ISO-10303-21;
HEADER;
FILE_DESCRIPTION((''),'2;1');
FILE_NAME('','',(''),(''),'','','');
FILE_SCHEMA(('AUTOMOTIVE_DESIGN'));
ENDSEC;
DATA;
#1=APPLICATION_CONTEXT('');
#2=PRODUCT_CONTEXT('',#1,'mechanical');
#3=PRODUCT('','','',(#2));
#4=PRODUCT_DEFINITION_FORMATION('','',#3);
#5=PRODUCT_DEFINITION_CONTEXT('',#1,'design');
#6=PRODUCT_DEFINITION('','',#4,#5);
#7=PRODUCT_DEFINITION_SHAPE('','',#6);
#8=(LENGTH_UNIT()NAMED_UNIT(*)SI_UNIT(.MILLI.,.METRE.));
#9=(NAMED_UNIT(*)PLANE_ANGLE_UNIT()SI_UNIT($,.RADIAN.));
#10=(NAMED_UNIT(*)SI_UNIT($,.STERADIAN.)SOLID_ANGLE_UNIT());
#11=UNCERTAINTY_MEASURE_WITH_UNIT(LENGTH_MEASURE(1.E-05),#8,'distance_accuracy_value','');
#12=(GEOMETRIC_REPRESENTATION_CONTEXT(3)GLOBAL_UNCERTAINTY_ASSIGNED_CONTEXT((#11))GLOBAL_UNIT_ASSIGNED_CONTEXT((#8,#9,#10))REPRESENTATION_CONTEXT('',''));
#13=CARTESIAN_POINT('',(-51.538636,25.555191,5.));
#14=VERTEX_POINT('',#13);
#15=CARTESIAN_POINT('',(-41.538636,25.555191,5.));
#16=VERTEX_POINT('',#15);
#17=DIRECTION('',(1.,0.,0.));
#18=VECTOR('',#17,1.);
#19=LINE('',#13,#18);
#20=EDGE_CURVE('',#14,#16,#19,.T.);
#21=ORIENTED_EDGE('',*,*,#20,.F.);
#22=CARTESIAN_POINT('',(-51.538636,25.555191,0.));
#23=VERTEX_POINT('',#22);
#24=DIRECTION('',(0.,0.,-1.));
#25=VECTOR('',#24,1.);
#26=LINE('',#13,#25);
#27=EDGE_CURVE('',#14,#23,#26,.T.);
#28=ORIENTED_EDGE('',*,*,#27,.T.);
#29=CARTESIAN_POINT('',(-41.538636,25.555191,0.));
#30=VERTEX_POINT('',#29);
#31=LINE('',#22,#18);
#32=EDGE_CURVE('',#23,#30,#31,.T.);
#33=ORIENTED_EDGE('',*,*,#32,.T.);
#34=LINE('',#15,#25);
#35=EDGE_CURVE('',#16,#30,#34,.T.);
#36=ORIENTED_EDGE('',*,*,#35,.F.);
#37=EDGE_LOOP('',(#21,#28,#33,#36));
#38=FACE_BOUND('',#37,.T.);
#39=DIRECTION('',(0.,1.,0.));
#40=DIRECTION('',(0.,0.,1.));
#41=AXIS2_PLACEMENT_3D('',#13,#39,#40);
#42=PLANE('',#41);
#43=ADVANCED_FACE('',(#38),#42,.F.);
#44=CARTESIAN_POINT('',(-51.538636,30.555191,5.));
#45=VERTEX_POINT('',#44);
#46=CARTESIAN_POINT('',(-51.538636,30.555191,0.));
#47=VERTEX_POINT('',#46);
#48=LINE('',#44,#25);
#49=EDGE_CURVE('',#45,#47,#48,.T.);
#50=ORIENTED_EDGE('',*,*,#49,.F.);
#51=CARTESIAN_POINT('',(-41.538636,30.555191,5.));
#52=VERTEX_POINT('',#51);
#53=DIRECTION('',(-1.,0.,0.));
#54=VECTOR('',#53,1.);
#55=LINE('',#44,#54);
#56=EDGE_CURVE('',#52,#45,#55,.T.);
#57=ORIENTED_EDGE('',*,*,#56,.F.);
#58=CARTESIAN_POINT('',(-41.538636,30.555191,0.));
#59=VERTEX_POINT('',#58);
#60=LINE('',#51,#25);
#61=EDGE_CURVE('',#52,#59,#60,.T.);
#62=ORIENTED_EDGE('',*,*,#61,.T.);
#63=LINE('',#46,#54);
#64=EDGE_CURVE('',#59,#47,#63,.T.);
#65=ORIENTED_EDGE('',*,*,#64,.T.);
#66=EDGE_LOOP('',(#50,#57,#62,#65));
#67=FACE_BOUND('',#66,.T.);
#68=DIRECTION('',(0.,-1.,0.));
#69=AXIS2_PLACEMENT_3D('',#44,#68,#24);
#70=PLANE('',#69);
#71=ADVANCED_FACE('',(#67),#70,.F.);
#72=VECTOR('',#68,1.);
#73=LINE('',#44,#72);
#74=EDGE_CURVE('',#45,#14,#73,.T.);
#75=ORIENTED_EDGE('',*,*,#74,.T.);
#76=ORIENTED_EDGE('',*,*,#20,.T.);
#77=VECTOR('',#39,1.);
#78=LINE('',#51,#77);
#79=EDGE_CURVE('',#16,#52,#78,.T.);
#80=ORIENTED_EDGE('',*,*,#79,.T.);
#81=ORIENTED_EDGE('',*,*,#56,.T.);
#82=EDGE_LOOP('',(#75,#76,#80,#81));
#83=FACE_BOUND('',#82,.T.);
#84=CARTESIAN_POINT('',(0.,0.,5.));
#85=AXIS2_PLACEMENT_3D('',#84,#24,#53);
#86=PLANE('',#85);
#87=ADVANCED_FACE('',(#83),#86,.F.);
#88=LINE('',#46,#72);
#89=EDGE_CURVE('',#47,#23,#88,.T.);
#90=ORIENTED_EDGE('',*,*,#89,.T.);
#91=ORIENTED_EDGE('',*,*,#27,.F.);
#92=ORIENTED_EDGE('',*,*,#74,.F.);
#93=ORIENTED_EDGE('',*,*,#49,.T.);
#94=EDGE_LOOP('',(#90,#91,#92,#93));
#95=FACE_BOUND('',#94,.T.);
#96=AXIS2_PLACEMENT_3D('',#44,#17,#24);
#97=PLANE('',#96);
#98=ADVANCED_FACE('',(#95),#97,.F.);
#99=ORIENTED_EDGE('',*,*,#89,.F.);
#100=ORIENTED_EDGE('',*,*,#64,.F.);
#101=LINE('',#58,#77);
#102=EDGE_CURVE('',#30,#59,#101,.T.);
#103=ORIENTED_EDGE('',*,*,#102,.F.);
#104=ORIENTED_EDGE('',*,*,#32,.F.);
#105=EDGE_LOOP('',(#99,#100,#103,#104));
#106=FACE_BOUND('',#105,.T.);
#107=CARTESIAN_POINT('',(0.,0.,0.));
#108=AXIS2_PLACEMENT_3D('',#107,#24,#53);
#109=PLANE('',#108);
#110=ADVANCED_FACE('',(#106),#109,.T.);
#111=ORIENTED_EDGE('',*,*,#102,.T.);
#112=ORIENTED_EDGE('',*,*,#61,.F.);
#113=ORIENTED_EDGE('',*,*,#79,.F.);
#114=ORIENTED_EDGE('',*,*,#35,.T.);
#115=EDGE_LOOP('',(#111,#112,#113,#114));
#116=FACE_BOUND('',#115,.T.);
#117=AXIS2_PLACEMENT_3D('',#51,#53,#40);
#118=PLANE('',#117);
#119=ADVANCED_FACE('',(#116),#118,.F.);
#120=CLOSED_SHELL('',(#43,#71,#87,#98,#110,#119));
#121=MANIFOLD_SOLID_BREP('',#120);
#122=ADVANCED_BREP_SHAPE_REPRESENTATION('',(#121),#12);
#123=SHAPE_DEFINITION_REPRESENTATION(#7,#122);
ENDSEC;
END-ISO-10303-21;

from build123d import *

# Parameters (mm, degrees)
CROQUIS1_W              = 10
CROQUIS1_H              = 5
SALIENTE_EXTRUIR1_DEPTH = 5


with BuildPart() as part:
    # Croquis1 → Saliente-Extruir1 (new body)
    with BuildSketch(Plane.XY):
        with Locations((-46.538635946, 28.055190592)):
            Rectangle(CROQUIS1_W, CROQUIS1_H)
    extrude(amount=SALIENTE_EXTRUIR1_DEPTH)


solid = part.part
